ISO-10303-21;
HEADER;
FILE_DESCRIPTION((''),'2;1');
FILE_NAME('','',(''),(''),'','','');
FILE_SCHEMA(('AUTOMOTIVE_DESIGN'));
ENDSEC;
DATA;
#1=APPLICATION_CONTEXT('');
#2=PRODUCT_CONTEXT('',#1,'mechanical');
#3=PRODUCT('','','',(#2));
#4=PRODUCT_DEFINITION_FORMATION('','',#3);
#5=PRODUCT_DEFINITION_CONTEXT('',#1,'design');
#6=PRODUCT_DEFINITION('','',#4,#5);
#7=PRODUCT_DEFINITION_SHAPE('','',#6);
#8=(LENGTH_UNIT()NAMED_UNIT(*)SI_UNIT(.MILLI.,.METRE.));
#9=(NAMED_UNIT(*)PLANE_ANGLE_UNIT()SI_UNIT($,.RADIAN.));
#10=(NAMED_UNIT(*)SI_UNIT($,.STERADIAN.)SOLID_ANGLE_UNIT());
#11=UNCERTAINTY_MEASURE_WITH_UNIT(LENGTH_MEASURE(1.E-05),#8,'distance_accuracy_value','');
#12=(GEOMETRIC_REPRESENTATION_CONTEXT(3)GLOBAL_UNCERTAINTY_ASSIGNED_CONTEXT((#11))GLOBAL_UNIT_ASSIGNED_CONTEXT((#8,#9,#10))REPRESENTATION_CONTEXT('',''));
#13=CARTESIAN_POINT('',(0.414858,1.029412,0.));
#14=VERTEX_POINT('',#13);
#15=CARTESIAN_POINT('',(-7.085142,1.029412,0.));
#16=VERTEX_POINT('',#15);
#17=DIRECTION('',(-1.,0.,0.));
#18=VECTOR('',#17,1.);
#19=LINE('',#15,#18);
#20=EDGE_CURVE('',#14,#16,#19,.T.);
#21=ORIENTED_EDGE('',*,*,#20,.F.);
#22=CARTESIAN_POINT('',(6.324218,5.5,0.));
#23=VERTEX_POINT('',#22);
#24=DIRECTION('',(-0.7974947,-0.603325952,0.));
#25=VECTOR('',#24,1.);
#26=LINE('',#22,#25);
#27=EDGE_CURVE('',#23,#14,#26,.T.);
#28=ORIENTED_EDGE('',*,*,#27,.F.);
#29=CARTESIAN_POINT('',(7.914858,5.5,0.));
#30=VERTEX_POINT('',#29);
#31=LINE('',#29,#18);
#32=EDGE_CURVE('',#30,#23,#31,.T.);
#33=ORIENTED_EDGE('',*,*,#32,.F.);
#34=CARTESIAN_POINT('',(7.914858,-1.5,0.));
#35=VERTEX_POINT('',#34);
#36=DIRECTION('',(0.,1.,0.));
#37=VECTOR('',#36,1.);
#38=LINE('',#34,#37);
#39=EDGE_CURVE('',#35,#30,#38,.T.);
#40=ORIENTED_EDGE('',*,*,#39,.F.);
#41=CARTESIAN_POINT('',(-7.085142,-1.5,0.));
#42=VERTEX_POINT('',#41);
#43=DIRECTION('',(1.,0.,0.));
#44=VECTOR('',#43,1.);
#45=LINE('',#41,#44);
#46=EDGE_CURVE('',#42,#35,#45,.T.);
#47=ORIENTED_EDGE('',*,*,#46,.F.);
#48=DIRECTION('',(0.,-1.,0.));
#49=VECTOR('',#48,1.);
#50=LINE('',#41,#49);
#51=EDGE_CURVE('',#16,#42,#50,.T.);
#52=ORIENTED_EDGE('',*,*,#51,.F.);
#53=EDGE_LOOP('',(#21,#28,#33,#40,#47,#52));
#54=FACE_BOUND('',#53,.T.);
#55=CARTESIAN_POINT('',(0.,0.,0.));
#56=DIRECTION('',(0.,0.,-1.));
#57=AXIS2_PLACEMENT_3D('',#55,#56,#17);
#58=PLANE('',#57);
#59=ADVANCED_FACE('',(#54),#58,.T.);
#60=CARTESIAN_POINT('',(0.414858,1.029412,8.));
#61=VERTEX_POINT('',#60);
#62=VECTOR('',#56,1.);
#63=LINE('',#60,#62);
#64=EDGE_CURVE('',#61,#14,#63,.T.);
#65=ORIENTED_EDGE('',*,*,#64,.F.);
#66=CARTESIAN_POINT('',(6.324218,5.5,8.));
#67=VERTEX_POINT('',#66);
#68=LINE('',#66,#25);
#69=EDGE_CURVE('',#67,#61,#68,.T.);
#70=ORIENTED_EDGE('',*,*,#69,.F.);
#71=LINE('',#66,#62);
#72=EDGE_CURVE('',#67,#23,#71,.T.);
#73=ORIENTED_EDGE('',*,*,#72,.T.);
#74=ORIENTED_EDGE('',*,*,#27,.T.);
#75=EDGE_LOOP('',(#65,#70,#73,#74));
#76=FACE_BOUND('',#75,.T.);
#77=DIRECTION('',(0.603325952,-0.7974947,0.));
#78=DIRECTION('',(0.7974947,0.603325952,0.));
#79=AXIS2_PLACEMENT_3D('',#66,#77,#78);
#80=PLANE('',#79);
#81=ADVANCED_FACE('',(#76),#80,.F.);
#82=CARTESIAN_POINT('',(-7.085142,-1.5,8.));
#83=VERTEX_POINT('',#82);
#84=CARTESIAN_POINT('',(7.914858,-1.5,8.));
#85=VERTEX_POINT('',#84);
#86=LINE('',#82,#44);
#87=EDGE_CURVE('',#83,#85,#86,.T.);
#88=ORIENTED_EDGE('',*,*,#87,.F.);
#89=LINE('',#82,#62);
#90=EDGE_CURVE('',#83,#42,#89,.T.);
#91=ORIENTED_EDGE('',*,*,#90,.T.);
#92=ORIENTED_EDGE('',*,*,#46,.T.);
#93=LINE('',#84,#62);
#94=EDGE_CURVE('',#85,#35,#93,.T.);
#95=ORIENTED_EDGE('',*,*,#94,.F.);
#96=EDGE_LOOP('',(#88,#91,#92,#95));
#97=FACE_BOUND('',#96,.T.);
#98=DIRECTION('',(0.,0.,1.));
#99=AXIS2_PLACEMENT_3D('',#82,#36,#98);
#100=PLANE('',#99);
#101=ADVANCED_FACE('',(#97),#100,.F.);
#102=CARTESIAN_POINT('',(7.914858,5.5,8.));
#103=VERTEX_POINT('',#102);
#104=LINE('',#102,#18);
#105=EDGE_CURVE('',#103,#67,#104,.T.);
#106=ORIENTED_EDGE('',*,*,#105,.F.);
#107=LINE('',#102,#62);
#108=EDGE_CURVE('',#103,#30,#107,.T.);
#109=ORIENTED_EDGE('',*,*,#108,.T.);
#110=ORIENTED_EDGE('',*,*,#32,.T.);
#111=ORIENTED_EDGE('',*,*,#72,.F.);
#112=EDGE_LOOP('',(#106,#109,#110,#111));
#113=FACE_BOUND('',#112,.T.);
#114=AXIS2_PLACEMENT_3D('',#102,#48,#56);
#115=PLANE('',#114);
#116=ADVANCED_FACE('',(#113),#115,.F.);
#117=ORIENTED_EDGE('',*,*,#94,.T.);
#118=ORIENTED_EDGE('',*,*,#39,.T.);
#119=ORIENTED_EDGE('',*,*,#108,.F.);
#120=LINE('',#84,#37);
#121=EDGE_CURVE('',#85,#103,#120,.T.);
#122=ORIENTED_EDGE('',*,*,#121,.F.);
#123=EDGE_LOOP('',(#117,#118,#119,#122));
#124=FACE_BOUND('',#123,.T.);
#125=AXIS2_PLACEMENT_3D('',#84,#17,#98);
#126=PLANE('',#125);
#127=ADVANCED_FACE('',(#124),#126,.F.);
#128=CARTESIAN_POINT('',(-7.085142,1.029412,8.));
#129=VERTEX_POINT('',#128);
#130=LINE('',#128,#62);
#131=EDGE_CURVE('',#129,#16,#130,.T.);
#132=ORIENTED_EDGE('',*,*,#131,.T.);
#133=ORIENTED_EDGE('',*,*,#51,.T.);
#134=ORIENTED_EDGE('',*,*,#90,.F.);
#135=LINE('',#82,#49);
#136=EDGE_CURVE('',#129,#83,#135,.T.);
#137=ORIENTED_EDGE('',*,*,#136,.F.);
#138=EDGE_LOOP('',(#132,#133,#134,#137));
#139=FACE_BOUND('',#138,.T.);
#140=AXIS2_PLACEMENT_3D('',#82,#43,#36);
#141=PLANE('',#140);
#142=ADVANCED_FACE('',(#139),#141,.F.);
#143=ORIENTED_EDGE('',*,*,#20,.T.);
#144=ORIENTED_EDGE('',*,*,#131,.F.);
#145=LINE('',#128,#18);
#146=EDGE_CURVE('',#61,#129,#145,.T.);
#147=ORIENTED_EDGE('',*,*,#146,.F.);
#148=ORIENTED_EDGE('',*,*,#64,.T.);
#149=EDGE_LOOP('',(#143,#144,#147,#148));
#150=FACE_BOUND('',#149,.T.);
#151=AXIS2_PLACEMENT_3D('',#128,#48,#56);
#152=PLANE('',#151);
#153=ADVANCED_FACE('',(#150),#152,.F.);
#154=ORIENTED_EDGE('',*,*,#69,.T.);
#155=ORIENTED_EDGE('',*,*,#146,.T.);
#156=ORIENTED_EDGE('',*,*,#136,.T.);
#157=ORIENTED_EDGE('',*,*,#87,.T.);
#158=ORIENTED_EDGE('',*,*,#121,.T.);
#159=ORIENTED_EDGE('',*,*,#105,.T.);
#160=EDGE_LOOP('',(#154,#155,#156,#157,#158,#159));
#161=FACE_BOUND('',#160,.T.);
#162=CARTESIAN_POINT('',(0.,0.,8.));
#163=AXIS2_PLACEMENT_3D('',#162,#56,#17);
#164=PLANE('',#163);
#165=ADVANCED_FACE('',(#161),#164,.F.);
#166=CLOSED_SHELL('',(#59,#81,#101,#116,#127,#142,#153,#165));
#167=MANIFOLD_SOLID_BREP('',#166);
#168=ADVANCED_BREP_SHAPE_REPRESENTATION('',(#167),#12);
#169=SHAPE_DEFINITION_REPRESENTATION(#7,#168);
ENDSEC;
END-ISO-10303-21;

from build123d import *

# Parameters (mm, degrees)
Y_KSEKLIK_EKSTR_ZYON1_DEPTH = 8


with BuildPart() as part:
    # Çizim1 → Yükseklik-Ekstrüzyon1 (new body)
    with BuildSketch(Plane.XY):
        Polygon((-7.085141903, -1.5), (7.914858097, -1.5), (7.914858097, 5.5), (6.324218391, 5.5), (0.414858097, 1.029411765), (-7.085141903, 1.029411765), align=None)
    extrude(amount=Y_KSEKLIK_EKSTR_ZYON1_DEPTH)


solid = part.part
